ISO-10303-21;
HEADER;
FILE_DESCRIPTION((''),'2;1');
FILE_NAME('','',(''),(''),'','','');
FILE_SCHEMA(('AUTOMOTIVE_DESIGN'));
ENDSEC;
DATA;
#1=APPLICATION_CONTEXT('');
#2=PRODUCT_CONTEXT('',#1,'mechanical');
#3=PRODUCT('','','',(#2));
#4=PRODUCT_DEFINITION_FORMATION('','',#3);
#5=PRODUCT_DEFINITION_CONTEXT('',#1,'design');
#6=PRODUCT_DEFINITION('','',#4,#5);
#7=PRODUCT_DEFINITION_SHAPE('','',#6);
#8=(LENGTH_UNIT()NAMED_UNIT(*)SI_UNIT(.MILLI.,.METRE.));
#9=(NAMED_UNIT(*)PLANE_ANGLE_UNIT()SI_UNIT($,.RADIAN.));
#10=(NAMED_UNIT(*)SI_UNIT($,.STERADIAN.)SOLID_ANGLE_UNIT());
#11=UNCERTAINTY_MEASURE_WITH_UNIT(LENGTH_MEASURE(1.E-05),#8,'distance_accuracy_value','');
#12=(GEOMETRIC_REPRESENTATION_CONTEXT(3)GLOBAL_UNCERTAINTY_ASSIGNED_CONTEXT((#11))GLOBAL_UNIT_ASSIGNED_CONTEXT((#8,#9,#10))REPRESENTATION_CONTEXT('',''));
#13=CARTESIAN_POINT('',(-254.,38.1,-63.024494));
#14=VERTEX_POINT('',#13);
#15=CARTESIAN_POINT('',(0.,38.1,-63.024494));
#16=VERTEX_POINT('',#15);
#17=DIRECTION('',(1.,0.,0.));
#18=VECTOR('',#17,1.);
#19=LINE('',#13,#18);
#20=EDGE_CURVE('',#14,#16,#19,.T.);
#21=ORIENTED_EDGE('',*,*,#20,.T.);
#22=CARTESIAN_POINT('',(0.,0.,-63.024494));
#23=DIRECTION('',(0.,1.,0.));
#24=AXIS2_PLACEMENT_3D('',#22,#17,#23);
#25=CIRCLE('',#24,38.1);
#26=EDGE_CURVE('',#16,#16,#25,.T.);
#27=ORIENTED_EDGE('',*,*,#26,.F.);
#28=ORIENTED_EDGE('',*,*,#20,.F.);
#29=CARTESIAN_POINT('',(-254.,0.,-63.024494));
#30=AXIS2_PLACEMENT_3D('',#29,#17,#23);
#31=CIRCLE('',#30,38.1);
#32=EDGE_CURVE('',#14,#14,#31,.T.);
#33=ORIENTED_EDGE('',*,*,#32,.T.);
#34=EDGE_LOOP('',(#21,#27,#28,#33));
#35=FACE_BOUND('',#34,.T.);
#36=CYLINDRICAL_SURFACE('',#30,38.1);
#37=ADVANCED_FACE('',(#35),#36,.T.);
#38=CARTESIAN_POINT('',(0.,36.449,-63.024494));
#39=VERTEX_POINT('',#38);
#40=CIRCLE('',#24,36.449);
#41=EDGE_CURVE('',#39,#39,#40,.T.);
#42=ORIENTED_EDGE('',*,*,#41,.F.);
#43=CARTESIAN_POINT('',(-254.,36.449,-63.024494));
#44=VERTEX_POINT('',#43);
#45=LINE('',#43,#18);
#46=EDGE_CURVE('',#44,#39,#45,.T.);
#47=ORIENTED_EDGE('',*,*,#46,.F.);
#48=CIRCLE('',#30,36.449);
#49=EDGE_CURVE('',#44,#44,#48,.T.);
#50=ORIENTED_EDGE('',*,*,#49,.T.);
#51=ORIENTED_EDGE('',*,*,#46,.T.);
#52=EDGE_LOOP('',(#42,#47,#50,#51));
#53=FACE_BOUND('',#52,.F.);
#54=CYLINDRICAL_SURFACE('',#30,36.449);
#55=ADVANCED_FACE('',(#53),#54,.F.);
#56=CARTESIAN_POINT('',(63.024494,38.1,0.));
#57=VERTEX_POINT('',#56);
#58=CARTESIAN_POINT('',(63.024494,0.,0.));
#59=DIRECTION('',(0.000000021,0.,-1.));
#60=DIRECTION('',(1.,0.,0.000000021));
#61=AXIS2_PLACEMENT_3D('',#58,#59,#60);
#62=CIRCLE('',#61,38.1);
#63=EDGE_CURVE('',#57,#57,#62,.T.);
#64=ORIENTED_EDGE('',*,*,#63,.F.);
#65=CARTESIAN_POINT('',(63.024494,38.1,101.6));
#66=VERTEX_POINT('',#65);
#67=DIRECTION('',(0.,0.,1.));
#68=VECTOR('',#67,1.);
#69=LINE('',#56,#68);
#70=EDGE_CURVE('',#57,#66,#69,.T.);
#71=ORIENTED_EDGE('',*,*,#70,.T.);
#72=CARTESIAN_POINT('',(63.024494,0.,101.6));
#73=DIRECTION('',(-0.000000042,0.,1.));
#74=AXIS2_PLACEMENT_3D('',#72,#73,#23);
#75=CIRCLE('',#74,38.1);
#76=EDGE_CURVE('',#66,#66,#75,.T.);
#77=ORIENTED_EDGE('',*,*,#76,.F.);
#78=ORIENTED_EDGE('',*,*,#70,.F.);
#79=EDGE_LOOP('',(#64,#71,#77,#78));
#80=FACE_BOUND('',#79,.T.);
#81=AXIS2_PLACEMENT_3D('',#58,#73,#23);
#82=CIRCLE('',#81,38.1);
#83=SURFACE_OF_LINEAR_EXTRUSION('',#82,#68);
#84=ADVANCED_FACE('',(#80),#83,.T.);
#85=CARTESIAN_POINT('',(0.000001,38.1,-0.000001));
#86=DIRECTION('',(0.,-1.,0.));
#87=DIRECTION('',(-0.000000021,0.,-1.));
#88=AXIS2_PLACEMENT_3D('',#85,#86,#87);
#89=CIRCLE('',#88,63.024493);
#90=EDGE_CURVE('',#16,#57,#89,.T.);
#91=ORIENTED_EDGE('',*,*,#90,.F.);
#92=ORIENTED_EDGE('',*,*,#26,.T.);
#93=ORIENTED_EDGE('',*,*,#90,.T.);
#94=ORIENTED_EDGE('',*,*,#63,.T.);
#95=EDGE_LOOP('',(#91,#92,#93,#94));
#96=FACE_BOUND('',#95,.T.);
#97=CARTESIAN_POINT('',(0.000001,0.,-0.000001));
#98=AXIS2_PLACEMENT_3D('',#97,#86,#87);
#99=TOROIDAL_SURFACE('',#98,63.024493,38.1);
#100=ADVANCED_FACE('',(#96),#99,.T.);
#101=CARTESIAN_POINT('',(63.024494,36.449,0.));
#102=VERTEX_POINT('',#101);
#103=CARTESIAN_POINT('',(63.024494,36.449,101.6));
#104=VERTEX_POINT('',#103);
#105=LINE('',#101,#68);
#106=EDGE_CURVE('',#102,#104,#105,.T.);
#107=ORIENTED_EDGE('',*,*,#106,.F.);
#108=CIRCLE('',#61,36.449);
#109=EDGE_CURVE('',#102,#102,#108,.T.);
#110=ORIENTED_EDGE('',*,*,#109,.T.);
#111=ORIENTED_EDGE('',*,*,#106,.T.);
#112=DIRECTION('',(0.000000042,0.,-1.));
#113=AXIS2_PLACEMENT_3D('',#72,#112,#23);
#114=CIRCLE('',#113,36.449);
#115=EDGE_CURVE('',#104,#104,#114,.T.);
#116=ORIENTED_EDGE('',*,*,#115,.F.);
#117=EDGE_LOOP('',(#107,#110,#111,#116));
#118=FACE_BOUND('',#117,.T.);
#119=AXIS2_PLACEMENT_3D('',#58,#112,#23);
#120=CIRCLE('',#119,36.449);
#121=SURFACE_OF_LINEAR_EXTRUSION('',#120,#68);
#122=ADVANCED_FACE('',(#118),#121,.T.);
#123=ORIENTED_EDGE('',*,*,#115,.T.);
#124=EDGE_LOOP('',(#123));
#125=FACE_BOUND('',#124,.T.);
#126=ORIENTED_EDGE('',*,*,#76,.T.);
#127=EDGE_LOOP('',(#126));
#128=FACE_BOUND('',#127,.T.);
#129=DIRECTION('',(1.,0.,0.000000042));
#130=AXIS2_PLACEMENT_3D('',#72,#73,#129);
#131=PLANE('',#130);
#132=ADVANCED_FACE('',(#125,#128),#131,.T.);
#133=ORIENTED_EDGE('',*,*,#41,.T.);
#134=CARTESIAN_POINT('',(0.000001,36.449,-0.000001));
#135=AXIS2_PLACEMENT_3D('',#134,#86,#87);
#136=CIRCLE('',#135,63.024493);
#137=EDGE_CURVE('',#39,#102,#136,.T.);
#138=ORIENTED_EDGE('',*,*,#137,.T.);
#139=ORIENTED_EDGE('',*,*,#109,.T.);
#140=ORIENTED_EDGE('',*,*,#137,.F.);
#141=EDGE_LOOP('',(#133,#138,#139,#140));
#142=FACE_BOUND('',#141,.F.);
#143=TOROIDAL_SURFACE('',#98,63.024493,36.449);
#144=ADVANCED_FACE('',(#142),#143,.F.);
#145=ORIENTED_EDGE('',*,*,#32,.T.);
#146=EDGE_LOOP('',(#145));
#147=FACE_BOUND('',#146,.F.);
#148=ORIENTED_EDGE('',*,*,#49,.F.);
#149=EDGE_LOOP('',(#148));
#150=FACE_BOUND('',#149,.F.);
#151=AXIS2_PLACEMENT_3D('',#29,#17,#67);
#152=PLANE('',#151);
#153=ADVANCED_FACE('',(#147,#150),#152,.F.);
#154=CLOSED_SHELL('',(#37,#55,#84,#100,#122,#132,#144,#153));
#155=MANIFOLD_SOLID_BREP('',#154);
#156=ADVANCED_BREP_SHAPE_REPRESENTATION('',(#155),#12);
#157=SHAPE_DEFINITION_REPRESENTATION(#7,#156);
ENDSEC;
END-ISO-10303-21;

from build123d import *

# Parameters (mm, degrees)
F1_R   = 38.1
F1_R_2 = 36.449


with BuildPart() as f2:
    # F2: sweep along a path in F0
    with BuildLine(Plane.XZ) as f2_path:
        Line((-254, -63.5), (0, -63.5))
        ThreePointArc((0, -63.5), (44.901281, -44.901281), (63.5, 0))
        Line((63.5, 0), (63.5, 101.6))
    # F1 (on Right) → F2 (sweep)
    with BuildSketch(Plane.YZ):
        with Locations((0, -63.024494)):
            Circle(F1_R)
        with Locations((0, -63.024494)):
            Circle(F1_R_2, mode=Mode.SUBTRACT)
    sweep(path=f2_path.line)


solid = f2.part
